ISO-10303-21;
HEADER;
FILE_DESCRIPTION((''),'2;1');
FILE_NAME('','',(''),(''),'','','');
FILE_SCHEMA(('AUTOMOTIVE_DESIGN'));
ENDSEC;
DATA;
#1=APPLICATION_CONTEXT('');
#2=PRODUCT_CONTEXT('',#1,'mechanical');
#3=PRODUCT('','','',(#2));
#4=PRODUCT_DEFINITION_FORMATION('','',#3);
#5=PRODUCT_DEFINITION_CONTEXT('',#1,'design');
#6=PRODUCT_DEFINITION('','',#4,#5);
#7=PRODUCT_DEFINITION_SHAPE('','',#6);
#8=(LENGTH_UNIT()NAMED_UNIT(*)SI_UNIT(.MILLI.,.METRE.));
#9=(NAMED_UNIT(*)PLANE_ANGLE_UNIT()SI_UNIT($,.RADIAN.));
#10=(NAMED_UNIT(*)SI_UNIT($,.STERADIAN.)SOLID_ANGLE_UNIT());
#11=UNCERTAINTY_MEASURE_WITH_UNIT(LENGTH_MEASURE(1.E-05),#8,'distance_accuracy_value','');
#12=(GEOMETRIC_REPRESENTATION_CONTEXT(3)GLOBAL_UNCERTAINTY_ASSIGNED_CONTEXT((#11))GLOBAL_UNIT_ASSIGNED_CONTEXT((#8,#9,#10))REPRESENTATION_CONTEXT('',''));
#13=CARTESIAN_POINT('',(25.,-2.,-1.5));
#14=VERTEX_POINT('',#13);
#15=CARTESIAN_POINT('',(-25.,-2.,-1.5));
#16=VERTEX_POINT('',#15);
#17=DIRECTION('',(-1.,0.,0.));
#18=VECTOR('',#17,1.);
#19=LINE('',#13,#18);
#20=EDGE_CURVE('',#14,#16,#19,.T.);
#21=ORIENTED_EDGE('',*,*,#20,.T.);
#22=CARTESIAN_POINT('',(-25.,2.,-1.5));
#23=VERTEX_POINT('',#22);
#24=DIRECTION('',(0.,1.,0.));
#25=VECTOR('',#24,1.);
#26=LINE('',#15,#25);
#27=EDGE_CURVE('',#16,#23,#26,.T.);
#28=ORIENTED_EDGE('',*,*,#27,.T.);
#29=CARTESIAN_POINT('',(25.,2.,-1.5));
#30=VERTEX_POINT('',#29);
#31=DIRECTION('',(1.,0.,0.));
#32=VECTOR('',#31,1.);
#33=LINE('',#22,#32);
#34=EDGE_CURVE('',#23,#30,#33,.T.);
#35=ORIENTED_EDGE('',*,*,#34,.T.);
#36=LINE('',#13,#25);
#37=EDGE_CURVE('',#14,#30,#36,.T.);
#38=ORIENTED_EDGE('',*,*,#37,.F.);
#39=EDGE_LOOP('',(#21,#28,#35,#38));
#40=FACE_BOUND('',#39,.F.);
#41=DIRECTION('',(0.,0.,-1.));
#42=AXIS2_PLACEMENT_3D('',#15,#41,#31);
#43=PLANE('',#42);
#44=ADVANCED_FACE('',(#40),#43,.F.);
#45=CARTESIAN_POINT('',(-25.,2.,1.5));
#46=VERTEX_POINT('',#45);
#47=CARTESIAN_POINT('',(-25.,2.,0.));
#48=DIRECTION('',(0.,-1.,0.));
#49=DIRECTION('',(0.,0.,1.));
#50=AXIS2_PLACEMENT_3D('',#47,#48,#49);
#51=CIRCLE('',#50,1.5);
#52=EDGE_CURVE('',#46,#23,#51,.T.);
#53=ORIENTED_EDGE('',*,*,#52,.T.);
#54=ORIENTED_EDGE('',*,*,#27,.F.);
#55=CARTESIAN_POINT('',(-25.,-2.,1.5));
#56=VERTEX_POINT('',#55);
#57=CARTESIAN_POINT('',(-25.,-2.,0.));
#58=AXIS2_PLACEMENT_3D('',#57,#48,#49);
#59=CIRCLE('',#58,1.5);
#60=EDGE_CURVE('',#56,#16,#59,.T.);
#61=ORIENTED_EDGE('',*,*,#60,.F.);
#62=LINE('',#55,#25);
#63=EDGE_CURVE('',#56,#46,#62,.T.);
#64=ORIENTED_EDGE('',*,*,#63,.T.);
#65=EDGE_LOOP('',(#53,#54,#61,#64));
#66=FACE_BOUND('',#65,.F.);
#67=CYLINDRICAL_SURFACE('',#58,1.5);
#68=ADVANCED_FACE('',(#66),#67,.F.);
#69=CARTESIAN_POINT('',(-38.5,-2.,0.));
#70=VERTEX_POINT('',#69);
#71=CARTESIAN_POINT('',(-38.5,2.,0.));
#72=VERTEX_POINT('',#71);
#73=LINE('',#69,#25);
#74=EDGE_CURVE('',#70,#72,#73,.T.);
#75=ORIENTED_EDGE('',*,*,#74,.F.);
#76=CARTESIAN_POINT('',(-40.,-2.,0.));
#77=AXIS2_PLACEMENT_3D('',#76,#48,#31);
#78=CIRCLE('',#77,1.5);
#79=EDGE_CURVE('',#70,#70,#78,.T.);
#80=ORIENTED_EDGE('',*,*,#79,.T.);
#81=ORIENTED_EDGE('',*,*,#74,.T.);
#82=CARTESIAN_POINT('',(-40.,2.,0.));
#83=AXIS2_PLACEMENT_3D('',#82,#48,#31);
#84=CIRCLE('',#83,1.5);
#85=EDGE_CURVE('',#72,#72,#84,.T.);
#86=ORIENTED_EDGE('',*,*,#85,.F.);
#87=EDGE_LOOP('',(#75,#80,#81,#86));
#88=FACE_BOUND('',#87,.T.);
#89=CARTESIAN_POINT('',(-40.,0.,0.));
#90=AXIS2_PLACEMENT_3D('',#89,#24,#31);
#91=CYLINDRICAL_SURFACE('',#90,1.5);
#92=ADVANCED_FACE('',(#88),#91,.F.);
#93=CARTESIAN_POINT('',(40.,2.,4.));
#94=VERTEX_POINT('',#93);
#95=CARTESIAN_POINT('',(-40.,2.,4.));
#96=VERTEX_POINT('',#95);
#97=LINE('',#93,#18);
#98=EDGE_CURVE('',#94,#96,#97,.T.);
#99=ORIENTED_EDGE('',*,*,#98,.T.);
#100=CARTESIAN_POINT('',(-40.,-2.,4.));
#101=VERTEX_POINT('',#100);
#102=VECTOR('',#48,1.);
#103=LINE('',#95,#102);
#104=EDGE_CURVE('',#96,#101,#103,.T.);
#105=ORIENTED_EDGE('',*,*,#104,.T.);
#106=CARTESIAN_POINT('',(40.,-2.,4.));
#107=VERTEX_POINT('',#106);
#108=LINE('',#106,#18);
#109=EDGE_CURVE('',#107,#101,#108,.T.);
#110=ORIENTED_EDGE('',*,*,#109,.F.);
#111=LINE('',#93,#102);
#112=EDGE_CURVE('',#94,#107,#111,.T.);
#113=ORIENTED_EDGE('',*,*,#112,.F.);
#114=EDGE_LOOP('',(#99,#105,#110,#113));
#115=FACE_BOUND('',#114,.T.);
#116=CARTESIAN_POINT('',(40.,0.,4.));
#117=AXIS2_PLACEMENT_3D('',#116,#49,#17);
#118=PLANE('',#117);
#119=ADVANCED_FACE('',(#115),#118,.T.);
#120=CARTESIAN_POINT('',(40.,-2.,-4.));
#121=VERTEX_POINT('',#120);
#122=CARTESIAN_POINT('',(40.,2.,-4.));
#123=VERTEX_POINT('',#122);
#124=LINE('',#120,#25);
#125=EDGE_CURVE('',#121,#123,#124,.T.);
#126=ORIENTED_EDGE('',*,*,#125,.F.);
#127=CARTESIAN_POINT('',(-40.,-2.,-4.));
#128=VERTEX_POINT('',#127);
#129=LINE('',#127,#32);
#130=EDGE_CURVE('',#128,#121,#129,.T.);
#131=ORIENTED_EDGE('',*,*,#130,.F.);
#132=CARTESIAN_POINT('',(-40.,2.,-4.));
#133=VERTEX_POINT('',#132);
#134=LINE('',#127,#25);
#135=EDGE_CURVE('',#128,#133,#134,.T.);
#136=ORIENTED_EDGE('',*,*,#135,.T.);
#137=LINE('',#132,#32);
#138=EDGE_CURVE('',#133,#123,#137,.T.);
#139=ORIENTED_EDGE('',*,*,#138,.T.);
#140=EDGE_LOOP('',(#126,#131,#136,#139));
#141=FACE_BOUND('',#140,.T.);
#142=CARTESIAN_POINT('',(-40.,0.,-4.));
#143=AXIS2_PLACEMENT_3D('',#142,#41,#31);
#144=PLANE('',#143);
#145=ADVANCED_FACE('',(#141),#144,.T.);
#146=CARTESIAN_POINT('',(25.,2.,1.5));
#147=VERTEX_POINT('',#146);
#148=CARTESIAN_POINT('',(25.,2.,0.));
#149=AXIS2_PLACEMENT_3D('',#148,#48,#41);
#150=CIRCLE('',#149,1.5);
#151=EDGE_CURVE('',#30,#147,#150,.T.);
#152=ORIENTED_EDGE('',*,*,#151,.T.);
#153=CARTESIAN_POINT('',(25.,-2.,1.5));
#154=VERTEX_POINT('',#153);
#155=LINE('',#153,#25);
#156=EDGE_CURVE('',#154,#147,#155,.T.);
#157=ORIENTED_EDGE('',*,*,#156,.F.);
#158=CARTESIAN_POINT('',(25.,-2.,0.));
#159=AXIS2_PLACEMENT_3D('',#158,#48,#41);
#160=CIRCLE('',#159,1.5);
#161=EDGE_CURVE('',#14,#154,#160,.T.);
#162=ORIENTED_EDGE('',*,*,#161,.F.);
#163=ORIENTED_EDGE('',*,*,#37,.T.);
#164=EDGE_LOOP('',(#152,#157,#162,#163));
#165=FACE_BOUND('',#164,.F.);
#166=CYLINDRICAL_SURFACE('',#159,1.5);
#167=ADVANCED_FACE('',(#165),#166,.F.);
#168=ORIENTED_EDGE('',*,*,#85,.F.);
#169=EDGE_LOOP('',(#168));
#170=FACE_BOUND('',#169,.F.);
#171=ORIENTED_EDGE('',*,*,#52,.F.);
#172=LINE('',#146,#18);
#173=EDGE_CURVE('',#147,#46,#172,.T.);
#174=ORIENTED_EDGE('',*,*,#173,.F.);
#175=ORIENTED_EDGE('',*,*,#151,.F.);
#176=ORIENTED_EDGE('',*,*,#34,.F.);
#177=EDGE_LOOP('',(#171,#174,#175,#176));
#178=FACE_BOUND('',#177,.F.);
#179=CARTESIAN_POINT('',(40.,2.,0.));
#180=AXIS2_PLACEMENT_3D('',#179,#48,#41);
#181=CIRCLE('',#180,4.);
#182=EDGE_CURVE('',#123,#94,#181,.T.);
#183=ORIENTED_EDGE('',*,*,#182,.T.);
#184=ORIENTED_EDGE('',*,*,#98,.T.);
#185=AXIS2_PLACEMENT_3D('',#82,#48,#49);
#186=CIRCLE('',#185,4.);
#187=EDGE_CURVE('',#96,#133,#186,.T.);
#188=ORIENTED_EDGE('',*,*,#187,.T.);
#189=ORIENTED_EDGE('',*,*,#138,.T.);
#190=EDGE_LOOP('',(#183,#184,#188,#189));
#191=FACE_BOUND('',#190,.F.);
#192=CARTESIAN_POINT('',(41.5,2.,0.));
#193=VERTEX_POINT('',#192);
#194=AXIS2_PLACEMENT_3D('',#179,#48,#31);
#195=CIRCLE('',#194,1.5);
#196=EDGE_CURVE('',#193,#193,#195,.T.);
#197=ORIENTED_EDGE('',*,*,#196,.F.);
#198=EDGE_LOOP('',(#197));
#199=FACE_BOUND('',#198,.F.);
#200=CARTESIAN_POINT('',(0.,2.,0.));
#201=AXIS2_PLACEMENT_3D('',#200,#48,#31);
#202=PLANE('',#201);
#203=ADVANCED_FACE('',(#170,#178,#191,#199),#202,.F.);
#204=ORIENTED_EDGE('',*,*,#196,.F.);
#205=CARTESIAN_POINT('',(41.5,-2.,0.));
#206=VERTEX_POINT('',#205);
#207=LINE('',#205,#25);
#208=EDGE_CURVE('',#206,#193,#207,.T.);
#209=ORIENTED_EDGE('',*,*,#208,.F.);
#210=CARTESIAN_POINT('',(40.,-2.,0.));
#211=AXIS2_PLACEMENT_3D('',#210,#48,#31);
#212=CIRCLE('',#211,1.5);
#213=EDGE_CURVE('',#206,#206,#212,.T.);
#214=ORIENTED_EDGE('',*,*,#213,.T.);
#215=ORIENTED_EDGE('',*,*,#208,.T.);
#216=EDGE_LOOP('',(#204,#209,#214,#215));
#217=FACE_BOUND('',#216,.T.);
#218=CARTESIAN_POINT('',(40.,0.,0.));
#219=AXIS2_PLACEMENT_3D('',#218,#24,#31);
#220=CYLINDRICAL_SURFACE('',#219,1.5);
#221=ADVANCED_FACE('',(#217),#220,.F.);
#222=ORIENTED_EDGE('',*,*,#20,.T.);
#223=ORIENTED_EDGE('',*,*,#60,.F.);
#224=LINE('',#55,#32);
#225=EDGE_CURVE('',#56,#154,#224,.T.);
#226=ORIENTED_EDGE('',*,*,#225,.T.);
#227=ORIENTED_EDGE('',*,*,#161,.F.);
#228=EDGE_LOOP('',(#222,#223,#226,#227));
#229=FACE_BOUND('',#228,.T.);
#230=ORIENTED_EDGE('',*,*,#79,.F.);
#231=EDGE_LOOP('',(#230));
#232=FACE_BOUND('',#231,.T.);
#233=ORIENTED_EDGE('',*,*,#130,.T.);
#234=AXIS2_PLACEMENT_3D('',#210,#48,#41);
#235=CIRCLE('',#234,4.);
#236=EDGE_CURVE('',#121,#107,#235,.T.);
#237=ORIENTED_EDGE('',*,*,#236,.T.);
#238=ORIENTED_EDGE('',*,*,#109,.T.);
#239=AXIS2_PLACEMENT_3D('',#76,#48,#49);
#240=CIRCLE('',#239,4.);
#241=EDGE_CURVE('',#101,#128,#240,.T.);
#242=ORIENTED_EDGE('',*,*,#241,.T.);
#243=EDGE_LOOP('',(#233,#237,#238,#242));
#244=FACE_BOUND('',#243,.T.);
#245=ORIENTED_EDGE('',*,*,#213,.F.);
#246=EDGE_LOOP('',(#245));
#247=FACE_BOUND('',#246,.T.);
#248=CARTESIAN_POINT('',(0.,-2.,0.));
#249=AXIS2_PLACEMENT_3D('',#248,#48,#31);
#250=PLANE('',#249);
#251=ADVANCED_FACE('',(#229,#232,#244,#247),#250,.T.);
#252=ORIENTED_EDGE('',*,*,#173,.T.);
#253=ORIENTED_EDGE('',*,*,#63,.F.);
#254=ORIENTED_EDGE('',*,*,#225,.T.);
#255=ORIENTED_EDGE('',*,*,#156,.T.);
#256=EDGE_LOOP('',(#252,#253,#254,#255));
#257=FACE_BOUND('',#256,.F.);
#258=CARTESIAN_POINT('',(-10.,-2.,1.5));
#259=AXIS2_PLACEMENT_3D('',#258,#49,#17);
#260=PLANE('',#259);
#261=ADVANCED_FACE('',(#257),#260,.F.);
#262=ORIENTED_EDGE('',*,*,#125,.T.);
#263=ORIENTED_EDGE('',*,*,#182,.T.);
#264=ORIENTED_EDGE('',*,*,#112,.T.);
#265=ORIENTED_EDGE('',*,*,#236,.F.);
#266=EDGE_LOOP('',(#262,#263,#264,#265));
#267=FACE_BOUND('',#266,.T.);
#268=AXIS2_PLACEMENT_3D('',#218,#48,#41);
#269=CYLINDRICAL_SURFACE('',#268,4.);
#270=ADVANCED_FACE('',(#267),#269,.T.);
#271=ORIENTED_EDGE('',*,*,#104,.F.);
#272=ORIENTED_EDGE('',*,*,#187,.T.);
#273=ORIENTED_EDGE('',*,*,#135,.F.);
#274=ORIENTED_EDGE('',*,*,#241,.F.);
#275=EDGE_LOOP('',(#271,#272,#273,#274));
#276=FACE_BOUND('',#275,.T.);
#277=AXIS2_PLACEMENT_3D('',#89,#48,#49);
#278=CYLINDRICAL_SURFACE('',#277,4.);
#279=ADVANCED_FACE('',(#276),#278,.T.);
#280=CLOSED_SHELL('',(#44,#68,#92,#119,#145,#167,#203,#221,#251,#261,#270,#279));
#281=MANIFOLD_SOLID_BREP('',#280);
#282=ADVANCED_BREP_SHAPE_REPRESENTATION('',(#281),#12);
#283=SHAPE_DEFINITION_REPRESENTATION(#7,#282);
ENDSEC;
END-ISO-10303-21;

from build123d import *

# Parameters (mm, degrees)
F0_R     = 1.5
F1_DEPTH = 2
F3_DEPTH = 25


with BuildPart() as f1:
    # F0 (on Front) → F1 (new body, symmetric)
    with BuildSketch(Plane.XZ):
        with BuildLine():
            ThreePointArc((40, -4), (44, 0), (40, 4))
            Line((40, 4), (-40, 4))
            ThreePointArc((-40, 4), (-44, 0), (-40, -4))
            Line((-40, -4), (40, -4))
        make_face()
        with Locations((-40, 0)):
            Circle(F0_R, mode=Mode.SUBTRACT)
        with Locations((-10, 0)):
            Circle(F0_R, mode=Mode.SUBTRACT)
        with Locations((40, 0)):
            Circle(F0_R, mode=Mode.SUBTRACT)
    extrude(amount=F1_DEPTH, both=True)

    # F2 (on face) → F3 (cut)
    with BuildSketch(Plane.XZ.offset(2)):
        with BuildLine():
            Line((-10, 1.5), (-25, 1.5))
            ThreePointArc((-25, 1.5), (-26.5, 0), (-25, -1.5))
            Line((-25, -1.5), (-10, -1.5))
            ThreePointArc((-10, -1.5), (-11.5, 0), (-10, 1.5))
        make_face()
        with BuildLine():
            Line((25, 1.5), (-10, 1.5))
            ThreePointArc((-10, 1.5), (-8.93934, 1.06066), (-8.5, 0))
            ThreePointArc((-8.5, 0), (-8.93934, -1.06066), (-10, -1.5))
            Line((-10, -1.5), (25, -1.5))
            ThreePointArc((25, -1.5), (26.5, 0), (25, 1.5))
        make_face()
    extrude(amount=-F3_DEPTH, mode=Mode.SUBTRACT)


solid = f1.part
